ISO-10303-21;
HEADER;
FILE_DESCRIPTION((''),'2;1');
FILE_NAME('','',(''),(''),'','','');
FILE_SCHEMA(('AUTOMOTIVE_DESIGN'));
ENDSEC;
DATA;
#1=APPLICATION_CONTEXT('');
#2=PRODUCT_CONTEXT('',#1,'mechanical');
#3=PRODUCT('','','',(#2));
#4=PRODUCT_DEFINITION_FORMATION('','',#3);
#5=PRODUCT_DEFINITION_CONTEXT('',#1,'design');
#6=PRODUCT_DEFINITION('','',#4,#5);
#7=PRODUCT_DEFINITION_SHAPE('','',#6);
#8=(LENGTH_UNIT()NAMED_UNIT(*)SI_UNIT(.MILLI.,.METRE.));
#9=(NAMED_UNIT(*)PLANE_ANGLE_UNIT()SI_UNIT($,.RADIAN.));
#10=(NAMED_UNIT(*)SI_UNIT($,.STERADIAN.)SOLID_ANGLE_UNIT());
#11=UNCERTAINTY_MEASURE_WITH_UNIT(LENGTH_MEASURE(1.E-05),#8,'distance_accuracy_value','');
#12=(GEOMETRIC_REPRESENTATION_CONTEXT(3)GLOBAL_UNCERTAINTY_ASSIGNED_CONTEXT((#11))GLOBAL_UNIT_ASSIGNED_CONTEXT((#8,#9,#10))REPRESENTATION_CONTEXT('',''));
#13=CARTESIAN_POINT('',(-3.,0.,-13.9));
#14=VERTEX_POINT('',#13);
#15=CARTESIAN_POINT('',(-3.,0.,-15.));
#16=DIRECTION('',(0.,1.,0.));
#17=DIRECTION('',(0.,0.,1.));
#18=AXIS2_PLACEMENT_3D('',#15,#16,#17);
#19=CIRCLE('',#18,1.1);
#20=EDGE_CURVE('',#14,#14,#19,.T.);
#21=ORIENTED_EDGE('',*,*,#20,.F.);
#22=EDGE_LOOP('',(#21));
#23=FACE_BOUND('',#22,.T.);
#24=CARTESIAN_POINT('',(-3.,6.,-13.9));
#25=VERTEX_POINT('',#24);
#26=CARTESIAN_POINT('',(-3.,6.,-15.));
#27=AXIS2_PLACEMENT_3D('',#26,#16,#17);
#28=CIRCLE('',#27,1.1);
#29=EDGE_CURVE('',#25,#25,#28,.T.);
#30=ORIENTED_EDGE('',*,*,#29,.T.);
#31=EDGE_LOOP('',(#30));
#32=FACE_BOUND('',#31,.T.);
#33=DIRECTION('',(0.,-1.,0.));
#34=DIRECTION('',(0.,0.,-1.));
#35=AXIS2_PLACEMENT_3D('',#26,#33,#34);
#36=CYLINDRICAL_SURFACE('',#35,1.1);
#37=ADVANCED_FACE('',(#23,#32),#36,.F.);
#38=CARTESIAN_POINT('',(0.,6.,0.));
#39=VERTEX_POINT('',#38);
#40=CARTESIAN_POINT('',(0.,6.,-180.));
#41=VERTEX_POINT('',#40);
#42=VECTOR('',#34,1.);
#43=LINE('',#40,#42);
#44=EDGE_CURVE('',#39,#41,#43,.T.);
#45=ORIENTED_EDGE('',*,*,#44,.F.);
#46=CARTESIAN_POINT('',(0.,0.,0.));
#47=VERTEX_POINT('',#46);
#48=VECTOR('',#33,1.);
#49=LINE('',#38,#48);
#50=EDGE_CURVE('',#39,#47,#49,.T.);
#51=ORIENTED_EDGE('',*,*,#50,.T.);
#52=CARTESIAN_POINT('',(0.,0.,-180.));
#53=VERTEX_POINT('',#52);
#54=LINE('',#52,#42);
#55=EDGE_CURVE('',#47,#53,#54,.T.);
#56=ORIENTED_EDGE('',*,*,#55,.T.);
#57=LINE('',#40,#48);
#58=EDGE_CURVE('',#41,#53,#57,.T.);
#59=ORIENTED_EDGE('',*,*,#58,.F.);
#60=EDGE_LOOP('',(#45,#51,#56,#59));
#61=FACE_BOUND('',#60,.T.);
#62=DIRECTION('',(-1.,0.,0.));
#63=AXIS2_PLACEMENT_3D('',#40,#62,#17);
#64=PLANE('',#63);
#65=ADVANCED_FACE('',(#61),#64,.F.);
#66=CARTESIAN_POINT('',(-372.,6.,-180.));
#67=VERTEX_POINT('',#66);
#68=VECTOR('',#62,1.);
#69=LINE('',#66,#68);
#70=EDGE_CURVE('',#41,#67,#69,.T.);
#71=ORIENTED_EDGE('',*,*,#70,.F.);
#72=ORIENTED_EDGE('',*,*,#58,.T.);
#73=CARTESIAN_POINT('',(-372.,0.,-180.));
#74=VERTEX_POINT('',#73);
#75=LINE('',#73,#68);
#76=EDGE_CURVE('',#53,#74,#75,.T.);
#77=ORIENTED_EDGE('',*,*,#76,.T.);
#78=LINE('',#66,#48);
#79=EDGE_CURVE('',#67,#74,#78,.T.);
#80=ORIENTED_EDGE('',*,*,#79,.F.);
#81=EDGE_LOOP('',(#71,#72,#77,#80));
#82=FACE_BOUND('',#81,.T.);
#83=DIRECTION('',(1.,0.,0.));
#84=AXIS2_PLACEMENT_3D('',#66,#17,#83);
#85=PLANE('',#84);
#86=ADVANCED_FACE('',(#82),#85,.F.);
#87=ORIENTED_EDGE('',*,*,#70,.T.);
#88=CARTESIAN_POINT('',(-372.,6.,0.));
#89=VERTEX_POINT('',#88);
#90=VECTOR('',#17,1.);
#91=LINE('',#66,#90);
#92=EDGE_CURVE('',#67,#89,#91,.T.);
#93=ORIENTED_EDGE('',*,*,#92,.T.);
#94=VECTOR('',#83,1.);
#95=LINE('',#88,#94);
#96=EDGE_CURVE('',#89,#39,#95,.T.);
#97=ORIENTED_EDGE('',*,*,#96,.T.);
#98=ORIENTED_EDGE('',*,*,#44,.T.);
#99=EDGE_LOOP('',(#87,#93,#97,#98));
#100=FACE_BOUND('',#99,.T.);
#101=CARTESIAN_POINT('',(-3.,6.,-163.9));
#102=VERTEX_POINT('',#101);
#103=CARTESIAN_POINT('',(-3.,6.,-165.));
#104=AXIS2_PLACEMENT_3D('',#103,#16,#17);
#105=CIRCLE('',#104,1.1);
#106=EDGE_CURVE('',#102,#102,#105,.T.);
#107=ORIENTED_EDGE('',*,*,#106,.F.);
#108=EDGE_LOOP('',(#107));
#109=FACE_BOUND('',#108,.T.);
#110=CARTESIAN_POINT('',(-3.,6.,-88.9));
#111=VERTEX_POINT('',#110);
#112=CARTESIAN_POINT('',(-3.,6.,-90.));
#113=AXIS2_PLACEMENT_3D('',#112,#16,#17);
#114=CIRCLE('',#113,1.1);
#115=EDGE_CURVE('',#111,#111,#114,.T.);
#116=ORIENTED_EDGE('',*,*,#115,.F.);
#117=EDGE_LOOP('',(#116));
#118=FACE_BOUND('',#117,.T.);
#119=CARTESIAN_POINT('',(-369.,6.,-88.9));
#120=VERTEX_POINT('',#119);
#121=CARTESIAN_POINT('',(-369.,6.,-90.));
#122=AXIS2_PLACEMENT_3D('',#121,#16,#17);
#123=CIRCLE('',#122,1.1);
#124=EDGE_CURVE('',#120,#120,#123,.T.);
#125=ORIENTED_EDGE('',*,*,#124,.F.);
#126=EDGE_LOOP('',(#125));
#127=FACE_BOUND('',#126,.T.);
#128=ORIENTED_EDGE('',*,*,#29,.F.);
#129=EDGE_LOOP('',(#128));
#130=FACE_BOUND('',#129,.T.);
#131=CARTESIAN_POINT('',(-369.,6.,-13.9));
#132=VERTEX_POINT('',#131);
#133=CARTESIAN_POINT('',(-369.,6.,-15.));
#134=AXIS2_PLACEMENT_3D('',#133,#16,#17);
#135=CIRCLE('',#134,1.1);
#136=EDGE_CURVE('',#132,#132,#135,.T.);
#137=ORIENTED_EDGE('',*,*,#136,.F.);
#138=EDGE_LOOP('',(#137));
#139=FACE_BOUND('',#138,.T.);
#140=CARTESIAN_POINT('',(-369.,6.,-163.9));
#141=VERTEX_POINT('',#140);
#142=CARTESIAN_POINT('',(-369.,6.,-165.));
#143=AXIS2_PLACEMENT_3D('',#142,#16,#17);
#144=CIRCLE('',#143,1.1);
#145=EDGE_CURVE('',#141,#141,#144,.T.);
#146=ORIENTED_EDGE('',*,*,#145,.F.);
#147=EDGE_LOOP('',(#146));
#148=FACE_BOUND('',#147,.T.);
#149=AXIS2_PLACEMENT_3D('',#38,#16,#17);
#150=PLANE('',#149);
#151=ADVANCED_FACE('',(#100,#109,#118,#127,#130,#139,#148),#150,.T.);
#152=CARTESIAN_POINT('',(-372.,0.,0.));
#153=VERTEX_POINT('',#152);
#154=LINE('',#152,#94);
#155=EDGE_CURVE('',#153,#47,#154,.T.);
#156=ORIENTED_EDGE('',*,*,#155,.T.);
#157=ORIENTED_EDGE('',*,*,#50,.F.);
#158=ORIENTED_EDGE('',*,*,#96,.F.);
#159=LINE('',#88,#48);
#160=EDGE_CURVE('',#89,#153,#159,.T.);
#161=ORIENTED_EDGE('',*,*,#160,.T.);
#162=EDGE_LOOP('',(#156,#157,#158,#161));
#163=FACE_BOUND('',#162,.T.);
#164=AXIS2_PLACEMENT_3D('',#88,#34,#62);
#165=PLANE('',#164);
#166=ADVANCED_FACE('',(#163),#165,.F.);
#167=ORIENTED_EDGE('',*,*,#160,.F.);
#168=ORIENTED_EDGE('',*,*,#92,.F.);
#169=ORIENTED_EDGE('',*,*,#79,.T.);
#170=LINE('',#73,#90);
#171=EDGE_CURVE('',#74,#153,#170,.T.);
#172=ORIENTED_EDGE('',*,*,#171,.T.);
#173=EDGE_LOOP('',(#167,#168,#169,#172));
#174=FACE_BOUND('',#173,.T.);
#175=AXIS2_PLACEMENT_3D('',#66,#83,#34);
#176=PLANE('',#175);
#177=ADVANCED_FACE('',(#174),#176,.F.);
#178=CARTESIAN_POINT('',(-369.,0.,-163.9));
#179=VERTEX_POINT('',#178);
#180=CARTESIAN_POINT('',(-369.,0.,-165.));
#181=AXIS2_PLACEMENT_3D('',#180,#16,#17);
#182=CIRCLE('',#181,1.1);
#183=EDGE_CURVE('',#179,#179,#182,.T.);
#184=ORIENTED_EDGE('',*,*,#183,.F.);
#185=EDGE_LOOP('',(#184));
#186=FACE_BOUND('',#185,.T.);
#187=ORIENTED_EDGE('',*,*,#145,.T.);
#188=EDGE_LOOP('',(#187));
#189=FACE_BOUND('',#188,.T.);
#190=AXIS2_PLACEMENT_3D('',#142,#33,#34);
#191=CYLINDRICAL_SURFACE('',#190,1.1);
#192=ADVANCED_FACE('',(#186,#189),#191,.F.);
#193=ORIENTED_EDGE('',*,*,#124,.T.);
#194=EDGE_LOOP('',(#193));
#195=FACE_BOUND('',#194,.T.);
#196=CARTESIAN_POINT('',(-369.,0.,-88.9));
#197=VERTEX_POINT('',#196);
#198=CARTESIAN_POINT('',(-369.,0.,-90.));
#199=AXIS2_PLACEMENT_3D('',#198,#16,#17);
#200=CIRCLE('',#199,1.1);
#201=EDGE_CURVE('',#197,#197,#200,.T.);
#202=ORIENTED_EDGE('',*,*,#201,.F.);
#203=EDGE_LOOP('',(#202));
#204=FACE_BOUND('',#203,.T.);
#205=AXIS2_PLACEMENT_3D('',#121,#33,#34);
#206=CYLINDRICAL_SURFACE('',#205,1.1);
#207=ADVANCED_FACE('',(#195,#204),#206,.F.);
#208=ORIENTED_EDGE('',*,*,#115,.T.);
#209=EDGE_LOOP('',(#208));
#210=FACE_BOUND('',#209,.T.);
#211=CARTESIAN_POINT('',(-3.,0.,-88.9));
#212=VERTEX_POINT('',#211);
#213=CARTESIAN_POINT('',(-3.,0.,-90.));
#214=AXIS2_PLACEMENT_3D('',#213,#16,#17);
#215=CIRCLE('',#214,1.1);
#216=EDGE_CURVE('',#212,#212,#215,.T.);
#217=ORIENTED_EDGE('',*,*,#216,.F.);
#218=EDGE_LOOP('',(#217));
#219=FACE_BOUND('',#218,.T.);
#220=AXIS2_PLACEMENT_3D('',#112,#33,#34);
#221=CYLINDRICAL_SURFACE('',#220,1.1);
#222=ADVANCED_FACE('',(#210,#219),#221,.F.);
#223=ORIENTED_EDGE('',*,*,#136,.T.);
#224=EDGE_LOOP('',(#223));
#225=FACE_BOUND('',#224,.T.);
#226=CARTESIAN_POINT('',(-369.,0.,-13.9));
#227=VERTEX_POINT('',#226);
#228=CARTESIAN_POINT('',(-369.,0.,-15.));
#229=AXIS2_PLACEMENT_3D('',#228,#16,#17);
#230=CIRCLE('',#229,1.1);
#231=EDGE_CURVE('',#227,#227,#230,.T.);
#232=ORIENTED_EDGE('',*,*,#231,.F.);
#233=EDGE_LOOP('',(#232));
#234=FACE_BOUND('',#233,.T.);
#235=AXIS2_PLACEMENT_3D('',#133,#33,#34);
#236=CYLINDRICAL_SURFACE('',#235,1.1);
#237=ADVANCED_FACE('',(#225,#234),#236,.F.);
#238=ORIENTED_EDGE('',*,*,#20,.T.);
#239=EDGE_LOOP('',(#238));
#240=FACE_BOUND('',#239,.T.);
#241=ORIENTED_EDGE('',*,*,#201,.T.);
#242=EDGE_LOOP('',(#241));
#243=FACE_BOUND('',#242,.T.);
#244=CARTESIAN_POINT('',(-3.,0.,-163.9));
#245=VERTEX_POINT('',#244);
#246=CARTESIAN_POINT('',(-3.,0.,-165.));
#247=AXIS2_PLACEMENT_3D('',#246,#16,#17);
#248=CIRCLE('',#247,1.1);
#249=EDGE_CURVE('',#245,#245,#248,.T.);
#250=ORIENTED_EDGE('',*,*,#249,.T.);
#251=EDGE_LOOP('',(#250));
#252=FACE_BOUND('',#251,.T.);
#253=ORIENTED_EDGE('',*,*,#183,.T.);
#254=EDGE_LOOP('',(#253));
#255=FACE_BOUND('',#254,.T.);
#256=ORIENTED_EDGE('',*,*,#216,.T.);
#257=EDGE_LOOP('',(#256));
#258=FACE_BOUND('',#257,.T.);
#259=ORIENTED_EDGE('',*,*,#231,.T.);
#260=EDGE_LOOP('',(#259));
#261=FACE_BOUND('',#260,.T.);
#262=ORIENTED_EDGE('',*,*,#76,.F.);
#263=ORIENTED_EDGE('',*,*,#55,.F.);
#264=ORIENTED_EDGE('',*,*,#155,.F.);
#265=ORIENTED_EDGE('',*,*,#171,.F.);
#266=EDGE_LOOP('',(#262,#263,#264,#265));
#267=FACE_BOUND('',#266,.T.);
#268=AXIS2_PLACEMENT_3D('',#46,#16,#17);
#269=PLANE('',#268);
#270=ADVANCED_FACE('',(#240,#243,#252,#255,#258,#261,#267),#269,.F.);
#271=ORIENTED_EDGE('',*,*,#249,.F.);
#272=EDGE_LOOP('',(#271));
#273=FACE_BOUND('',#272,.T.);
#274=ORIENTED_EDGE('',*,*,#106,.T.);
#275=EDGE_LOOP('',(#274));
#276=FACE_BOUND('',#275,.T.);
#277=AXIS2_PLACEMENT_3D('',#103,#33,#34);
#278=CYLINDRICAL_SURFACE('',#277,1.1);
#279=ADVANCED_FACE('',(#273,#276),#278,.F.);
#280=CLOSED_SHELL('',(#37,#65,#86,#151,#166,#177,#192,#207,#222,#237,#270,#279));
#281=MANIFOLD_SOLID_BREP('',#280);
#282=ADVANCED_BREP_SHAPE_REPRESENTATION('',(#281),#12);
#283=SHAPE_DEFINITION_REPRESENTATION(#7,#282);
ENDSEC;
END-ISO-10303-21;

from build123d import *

# Parameters (mm, degrees)
SKETCH_1_W      = 372
SKETCH_1_H      = 180
SKETCH_1_R      = 1.1
EXTRUDE_1_DEPTH = 6


with BuildPart() as part:
    # Эскиз1 → Бобышка-Вытянуть1 (new body)
    with BuildSketch(Plane(origin=(0, 0, 0), x_dir=(1, 0, 0), z_dir=(0, 1, 0))):
        with Locations((-186, 90)):
            Rectangle(SKETCH_1_W, SKETCH_1_H)
        with Locations(Location((-369, 165, 0), (0, 0, 270))):
            Circle(SKETCH_1_R, mode=Mode.SUBTRACT)
        with Locations(Location((-369, 15, 0), (0, 0, 270))):
            Circle(SKETCH_1_R, mode=Mode.SUBTRACT)
        with Locations(Location((-3, 165, 0), (0, 0, 270))):
            Circle(SKETCH_1_R, mode=Mode.SUBTRACT)
        with Locations(Location((-3, 15, 0), (0, 0, 270))):
            Circle(SKETCH_1_R, mode=Mode.SUBTRACT)
        with Locations(Location((-369, 90, 0), (0, 0, 270))):
            Circle(SKETCH_1_R, mode=Mode.SUBTRACT)
        with Locations(Location((-3, 90, 0), (0, 0, 270))):
            Circle(SKETCH_1_R, mode=Mode.SUBTRACT)
    extrude(amount=EXTRUDE_1_DEPTH)


solid = part.part
